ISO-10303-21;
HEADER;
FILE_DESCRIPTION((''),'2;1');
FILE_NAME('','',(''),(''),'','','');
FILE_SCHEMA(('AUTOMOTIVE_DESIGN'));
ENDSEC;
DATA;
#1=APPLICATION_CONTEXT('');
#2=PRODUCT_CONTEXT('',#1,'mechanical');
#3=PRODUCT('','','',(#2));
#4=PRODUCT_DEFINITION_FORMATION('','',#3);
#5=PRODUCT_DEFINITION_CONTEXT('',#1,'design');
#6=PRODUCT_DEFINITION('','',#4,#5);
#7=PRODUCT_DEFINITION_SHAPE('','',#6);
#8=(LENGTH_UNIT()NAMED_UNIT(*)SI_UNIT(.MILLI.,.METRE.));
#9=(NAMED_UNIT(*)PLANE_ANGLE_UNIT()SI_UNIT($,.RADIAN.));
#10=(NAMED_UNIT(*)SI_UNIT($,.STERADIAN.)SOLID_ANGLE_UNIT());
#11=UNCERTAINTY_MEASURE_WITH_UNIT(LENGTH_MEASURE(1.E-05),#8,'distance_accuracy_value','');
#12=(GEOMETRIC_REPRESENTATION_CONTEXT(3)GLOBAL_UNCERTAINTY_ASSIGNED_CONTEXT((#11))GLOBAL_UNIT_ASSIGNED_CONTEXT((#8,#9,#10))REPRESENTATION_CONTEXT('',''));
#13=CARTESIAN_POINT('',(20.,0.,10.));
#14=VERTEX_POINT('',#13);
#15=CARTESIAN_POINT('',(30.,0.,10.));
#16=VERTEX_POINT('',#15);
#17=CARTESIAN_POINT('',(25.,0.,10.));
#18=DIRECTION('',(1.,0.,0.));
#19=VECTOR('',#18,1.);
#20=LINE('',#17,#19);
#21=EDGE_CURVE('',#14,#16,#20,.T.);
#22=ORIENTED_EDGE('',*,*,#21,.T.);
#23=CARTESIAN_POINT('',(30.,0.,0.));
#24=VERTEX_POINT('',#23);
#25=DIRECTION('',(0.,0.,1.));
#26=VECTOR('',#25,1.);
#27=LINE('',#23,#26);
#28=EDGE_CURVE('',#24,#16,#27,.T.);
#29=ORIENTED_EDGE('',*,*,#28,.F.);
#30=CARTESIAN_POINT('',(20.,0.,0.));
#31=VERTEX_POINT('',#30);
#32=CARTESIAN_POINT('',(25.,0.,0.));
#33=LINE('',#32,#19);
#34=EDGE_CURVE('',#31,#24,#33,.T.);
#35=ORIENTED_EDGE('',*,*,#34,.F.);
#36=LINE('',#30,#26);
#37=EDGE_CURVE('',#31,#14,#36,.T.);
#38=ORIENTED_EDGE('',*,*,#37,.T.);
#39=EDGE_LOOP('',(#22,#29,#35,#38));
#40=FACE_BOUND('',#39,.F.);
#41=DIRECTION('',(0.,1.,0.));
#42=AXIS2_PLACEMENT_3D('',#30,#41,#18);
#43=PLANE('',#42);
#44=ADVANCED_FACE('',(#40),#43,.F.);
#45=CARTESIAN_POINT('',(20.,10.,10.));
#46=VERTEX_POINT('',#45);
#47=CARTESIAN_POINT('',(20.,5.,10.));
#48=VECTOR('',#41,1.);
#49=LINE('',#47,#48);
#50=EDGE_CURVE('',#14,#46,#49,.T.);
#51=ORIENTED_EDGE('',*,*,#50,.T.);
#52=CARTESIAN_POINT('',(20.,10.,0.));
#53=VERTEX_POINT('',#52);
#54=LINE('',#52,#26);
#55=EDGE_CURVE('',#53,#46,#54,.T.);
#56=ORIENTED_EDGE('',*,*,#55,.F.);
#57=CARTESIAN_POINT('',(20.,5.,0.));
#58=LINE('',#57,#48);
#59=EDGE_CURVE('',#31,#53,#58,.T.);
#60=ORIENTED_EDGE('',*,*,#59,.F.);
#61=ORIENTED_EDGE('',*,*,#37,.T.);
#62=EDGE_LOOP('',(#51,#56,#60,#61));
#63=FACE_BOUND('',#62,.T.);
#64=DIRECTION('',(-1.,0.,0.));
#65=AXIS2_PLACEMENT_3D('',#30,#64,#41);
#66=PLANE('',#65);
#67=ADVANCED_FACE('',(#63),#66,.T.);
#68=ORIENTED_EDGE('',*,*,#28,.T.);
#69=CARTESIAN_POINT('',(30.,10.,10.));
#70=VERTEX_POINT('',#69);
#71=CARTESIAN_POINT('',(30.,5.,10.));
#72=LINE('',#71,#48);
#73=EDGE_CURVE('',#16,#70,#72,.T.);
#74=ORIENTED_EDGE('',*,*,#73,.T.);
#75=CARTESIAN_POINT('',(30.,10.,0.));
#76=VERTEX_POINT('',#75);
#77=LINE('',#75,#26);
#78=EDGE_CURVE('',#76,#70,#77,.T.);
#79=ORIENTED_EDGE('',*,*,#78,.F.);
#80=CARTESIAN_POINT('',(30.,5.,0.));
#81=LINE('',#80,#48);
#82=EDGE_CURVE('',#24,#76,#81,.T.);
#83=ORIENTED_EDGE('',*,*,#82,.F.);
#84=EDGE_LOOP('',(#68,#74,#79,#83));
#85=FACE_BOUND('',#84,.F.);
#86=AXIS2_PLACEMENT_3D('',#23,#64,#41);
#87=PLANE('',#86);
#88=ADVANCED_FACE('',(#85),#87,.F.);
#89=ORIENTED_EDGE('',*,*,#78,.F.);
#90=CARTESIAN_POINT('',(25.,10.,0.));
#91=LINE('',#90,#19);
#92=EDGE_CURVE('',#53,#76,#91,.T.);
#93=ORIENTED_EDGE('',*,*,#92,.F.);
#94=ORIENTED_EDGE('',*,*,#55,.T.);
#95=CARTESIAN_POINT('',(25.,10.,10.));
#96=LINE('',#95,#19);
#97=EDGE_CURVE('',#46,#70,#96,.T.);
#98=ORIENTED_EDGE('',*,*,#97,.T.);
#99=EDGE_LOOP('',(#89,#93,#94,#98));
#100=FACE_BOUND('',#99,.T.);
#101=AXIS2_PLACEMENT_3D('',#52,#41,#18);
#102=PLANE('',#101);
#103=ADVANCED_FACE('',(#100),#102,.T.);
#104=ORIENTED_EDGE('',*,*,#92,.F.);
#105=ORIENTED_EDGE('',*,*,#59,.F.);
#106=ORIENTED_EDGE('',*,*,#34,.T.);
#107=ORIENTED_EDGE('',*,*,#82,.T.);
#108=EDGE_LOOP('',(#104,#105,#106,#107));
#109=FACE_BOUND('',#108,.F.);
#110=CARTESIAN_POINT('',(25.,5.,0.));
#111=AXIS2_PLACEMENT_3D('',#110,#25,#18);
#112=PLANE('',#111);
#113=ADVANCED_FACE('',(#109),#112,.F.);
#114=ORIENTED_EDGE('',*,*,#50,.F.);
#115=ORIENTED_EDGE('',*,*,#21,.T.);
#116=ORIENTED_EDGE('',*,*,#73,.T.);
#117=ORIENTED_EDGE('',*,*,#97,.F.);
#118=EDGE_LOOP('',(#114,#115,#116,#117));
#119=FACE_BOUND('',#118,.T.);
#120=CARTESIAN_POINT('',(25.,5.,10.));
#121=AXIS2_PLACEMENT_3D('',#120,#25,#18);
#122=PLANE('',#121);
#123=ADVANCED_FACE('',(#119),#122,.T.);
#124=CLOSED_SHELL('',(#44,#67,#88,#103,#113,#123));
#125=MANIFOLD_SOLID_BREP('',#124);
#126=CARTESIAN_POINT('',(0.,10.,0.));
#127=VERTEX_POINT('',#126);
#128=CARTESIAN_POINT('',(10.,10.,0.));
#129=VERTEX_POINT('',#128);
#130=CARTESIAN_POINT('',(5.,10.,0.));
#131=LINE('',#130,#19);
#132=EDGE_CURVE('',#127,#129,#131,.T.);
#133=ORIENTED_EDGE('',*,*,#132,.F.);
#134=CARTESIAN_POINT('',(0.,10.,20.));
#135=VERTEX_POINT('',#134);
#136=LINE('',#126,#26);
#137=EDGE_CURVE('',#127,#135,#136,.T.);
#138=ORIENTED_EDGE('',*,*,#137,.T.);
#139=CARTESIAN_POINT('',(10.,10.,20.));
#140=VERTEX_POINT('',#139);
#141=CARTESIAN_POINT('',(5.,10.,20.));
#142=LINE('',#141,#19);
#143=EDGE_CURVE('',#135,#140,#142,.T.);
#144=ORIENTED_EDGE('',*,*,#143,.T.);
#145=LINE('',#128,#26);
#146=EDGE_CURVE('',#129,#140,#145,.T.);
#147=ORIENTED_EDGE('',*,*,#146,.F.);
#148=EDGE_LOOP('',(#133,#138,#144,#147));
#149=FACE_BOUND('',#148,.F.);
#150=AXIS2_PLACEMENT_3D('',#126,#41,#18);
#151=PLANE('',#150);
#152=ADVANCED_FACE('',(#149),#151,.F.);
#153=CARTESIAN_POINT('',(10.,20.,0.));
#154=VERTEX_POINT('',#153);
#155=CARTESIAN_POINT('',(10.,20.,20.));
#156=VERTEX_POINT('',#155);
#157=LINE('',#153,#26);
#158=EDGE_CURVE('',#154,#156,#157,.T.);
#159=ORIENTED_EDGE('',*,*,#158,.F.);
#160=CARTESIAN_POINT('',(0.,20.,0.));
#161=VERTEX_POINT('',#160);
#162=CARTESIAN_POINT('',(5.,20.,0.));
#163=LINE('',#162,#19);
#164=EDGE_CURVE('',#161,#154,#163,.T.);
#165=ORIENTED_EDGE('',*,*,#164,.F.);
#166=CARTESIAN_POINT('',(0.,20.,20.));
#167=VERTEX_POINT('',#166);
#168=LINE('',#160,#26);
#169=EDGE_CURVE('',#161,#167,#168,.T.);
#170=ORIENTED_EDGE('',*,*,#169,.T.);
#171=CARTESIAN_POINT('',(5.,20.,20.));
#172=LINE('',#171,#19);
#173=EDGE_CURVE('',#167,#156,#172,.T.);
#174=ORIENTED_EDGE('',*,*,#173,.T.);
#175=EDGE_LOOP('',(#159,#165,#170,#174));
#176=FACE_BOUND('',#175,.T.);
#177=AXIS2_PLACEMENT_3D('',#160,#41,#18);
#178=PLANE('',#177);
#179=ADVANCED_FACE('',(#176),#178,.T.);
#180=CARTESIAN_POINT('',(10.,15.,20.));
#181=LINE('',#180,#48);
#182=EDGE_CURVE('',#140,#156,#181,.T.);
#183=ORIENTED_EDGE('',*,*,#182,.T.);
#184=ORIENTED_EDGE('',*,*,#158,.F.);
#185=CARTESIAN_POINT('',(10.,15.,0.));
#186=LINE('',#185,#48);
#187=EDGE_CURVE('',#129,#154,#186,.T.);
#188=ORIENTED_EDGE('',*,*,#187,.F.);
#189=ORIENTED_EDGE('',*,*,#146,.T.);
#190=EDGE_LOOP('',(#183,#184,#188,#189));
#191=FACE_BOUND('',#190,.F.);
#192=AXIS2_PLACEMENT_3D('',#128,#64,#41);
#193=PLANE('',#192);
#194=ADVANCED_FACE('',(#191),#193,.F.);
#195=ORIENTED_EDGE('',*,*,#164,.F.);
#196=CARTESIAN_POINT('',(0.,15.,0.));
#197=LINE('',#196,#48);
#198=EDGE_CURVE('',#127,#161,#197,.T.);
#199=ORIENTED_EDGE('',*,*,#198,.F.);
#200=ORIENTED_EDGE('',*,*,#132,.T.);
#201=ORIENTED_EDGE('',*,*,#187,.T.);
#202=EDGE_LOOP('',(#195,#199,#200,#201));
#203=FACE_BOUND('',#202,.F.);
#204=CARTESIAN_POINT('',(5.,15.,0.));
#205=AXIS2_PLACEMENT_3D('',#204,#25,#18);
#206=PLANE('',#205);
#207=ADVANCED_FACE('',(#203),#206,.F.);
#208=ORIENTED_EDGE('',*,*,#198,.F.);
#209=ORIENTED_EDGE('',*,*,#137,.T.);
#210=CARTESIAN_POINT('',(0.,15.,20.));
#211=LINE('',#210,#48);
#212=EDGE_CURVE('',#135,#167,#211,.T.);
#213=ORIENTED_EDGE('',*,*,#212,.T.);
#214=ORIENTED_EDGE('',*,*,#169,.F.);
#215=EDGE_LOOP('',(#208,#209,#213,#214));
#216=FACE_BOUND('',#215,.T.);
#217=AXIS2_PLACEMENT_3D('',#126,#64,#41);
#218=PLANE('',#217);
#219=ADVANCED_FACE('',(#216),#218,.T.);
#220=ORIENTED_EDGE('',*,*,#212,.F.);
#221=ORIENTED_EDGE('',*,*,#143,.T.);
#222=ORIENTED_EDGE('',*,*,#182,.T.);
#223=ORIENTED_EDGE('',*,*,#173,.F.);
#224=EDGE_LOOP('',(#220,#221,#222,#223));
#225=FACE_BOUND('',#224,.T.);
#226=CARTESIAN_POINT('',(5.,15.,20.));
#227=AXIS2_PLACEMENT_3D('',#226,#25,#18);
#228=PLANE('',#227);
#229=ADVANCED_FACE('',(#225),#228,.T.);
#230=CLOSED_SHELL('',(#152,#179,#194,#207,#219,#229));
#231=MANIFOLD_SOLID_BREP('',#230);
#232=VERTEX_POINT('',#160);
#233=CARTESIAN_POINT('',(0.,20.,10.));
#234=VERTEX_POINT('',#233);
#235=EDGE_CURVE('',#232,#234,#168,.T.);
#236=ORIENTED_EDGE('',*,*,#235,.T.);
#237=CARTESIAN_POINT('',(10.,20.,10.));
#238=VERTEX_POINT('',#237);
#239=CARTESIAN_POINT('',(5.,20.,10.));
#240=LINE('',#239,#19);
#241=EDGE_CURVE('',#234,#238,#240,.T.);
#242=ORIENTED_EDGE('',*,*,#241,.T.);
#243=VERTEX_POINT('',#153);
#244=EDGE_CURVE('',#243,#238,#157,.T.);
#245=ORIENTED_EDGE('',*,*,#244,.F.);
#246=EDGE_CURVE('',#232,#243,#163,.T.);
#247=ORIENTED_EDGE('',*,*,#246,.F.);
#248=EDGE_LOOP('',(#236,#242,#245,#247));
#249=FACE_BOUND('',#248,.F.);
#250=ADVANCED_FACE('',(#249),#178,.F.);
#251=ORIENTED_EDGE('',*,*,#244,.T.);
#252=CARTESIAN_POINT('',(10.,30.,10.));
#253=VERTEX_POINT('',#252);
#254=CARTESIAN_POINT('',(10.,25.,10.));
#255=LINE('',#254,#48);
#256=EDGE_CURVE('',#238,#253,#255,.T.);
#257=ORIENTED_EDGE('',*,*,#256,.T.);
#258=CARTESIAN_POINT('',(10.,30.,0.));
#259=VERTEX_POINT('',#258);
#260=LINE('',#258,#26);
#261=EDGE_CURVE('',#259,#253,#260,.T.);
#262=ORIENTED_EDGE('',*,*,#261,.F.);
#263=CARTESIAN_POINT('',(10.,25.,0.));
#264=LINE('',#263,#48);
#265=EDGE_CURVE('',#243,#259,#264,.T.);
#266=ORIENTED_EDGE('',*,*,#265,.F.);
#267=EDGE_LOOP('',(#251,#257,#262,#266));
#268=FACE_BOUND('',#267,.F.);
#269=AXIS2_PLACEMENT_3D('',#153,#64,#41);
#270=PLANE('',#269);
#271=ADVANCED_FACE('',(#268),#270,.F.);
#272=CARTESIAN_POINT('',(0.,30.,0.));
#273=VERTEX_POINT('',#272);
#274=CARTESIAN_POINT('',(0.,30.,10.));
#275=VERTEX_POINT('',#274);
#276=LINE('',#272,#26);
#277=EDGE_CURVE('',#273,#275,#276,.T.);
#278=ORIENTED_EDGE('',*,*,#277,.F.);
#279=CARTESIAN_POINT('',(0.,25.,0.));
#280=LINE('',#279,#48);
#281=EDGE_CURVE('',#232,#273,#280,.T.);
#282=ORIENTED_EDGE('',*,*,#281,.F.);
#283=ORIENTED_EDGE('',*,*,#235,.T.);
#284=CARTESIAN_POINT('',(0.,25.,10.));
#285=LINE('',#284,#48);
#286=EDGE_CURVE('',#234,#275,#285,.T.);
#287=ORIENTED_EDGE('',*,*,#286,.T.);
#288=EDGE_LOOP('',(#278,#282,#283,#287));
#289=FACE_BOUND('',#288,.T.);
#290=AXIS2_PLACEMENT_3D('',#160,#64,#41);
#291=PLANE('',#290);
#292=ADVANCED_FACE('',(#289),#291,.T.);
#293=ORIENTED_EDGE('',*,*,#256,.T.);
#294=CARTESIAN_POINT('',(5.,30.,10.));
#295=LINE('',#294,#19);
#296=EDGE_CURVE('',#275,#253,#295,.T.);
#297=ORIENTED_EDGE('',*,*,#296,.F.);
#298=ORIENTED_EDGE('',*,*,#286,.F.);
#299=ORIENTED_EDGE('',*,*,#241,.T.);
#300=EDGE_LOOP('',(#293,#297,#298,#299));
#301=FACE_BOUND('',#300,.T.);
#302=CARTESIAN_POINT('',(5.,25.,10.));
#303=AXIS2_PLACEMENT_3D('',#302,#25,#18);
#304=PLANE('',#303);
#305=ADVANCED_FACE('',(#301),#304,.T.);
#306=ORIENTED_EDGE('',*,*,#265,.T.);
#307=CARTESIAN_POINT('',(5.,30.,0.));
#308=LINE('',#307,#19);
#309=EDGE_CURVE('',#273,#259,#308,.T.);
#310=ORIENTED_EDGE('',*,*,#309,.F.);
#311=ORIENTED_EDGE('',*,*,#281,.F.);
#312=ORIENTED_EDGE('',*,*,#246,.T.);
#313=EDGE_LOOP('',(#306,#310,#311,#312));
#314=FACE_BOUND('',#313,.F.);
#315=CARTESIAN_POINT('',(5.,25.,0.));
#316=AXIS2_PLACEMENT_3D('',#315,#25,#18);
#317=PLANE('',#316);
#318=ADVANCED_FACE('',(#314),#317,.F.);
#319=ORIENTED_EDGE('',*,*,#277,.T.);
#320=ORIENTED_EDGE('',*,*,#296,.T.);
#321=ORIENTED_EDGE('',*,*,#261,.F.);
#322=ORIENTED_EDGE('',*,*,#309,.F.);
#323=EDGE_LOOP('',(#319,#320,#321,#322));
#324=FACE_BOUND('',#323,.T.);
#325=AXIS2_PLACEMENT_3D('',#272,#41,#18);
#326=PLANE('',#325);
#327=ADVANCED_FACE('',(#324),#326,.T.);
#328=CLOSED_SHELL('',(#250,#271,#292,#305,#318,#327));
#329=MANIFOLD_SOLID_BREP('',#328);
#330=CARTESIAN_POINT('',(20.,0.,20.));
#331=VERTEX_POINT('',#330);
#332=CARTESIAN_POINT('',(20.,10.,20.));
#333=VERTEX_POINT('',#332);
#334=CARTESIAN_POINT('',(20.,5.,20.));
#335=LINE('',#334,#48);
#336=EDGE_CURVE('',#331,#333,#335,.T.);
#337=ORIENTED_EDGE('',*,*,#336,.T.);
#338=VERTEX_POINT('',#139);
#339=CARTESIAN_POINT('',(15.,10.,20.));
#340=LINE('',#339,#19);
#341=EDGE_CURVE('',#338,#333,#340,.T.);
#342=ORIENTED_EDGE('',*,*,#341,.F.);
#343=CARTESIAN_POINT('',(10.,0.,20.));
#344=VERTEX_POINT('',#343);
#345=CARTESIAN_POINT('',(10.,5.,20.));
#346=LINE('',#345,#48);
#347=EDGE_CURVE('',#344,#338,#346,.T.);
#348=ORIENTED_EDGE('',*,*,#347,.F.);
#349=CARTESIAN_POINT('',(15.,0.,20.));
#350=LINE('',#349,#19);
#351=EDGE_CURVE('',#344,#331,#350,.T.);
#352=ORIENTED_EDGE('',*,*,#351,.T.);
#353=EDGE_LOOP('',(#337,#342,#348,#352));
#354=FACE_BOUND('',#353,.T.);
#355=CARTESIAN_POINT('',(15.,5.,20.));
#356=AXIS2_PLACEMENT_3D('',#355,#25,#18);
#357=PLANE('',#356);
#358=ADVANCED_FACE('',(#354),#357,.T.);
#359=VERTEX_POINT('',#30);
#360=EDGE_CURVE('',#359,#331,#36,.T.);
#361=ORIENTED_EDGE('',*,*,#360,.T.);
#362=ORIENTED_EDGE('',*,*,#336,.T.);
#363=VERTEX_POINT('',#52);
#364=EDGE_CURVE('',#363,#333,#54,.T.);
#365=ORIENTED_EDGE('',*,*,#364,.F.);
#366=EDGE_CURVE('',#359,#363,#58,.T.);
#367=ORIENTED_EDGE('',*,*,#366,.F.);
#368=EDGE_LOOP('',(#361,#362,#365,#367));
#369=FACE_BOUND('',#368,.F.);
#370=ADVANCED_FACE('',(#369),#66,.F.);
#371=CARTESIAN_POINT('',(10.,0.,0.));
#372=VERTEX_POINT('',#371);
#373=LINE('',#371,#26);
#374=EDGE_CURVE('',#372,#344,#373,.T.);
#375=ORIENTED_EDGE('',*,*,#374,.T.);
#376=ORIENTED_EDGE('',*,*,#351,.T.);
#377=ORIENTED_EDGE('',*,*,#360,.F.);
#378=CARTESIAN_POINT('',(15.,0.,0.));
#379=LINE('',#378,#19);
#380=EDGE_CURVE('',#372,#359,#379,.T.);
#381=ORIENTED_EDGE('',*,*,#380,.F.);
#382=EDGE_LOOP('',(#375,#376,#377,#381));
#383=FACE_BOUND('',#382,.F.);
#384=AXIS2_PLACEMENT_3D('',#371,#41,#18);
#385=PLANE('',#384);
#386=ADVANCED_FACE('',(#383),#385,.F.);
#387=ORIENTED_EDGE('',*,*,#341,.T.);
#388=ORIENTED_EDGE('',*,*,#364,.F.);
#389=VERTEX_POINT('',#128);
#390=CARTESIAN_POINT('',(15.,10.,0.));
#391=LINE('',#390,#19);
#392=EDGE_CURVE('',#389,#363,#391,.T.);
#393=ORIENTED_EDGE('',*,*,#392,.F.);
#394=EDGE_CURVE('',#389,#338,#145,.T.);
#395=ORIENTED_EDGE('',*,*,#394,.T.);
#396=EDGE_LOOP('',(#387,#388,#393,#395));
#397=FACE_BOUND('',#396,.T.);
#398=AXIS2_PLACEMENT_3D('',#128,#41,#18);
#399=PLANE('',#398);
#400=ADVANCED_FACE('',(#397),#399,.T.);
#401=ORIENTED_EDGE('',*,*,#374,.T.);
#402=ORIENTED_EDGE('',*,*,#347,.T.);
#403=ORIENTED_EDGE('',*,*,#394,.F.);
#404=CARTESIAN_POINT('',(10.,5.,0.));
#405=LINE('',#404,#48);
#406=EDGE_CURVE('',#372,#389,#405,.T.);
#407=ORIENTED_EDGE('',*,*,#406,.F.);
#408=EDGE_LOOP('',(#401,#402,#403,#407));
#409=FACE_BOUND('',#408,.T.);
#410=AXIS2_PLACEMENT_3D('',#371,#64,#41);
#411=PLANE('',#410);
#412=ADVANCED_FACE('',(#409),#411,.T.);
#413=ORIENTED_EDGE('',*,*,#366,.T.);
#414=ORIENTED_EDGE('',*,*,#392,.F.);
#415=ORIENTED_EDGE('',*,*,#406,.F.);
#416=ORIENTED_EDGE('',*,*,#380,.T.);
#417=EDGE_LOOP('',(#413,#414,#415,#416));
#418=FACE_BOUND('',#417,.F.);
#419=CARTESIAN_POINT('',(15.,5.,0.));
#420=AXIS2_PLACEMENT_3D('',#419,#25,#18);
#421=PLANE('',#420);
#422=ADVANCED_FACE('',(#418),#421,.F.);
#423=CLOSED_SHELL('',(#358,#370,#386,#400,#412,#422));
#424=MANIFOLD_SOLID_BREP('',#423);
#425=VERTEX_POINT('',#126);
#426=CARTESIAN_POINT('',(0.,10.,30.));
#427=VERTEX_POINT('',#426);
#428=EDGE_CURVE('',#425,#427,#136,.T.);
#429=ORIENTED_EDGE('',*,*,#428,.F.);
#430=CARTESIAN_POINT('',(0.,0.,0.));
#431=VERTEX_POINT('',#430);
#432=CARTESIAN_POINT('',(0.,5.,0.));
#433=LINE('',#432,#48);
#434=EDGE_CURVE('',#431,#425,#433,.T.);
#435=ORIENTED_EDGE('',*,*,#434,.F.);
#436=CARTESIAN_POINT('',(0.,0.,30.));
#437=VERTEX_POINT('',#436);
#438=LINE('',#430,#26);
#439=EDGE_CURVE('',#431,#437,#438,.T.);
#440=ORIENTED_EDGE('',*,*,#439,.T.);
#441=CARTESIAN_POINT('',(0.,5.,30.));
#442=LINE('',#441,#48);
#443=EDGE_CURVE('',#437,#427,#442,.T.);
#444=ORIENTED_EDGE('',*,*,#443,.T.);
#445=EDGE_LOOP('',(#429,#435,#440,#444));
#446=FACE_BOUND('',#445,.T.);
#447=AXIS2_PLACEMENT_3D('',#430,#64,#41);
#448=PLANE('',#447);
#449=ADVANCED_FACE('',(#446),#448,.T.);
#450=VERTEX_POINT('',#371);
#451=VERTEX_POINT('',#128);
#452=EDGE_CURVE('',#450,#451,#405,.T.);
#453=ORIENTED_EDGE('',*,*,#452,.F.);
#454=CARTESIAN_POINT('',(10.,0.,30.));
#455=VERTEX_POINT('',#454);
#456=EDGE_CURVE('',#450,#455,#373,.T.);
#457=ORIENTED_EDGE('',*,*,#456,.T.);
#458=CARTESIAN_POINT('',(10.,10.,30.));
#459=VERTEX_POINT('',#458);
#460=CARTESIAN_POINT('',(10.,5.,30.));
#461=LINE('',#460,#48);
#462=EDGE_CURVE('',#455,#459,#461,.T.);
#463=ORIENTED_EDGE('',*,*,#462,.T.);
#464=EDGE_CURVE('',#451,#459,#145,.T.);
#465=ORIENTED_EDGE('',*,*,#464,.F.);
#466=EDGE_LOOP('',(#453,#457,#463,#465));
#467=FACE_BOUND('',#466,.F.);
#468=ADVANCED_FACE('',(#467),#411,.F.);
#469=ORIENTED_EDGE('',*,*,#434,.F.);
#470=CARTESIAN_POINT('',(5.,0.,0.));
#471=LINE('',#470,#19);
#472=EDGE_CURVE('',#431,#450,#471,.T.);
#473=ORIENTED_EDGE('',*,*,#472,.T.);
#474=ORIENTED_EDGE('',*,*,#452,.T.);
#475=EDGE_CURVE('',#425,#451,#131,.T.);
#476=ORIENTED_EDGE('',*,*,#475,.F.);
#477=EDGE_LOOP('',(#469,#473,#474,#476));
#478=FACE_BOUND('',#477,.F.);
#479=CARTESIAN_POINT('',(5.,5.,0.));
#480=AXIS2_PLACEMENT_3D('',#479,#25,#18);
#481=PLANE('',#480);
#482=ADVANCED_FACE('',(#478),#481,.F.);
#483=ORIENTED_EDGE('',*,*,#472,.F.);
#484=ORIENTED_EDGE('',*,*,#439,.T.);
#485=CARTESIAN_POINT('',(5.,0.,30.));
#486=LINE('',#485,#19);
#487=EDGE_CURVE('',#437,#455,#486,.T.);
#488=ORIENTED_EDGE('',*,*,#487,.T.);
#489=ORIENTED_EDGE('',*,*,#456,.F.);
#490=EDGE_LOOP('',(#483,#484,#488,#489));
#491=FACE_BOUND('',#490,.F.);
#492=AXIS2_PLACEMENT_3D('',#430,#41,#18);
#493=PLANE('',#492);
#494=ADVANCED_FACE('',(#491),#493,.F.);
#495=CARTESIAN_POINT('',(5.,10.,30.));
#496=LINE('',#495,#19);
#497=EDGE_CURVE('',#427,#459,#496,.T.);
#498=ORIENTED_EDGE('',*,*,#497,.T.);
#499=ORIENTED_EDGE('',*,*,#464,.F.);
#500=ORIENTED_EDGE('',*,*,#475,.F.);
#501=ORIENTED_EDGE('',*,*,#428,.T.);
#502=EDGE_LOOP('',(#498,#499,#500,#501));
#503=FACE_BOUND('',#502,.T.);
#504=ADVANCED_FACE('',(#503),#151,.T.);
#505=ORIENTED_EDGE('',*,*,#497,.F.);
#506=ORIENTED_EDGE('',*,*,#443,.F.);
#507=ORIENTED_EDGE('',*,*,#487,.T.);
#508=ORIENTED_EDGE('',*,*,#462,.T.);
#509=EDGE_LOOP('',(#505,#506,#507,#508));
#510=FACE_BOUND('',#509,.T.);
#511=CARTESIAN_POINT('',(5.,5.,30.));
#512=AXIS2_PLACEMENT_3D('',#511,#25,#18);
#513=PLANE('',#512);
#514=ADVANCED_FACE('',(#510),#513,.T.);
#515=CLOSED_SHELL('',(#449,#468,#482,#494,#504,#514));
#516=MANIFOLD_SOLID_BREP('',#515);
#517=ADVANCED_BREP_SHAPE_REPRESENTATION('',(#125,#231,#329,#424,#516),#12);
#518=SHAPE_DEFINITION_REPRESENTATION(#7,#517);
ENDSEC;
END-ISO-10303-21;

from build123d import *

# Parameters (mm, degrees)
BOX_W        = 10
BOX_H        = 10
BOX_DEPTH    = 30
BOX001_W     = 10
BOX001_H     = 10
BOX001_DEPTH = 20
BOX002_W     = 10
BOX002_H     = 10
BOX002_DEPTH = 20
BOX003_W     = 10
BOX003_H     = 10
BOX003_DEPTH = 10
BOX004_W     = 10
BOX004_H     = 10
BOX004_DEPTH = 10


with BuildPart() as nivell1_cub1:
    # Box → Box (new body)
    with BuildSketch(Plane.XY):
        with Locations((5, 5)):
            Rectangle(BOX_W, BOX_H)
    extrude(amount=BOX_DEPTH)


with BuildPart() as nivell2_cub1:
    # Box001 → Box001 (new body)
    with BuildSketch(Plane(origin=(10, 0, 0), x_dir=(1, 0, 0), z_dir=(0, 0, 1))):
        with Locations((5, 5)):
            Rectangle(BOX001_W, BOX001_H)
    extrude(amount=BOX001_DEPTH)


with BuildPart() as nivell2_cub2:
    # Box002 → Box002 (new body)
    with BuildSketch(Plane(origin=(0, 10, 0), x_dir=(1, 0, 0), z_dir=(0, 0, 1))):
        with Locations((5, 5)):
            Rectangle(BOX002_W, BOX002_H)
    extrude(amount=BOX002_DEPTH)


with BuildPart() as nivell3_cub1:
    # Box003 → Box003 (new body)
    with BuildSketch(Plane(origin=(20, 0, 0), x_dir=(1, 0, 0), z_dir=(0, 0, 1))):
        with Locations((5, 5)):
            Rectangle(BOX003_W, BOX003_H)
    extrude(amount=BOX003_DEPTH)


with BuildPart() as nivell3_cub2:
    # Box004 → Box004 (new body)
    with BuildSketch(Plane(origin=(0, 20, 0), x_dir=(1, 0, 0), z_dir=(0, 0, 1))):
        with Locations((5, 5)):
            Rectangle(BOX004_W, BOX004_H)
    extrude(amount=BOX004_DEPTH)


solid = Compound([nivell1_cub1.part, nivell2_cub1.part, nivell2_cub2.part, nivell3_cub1.part, nivell3_cub2.part])
